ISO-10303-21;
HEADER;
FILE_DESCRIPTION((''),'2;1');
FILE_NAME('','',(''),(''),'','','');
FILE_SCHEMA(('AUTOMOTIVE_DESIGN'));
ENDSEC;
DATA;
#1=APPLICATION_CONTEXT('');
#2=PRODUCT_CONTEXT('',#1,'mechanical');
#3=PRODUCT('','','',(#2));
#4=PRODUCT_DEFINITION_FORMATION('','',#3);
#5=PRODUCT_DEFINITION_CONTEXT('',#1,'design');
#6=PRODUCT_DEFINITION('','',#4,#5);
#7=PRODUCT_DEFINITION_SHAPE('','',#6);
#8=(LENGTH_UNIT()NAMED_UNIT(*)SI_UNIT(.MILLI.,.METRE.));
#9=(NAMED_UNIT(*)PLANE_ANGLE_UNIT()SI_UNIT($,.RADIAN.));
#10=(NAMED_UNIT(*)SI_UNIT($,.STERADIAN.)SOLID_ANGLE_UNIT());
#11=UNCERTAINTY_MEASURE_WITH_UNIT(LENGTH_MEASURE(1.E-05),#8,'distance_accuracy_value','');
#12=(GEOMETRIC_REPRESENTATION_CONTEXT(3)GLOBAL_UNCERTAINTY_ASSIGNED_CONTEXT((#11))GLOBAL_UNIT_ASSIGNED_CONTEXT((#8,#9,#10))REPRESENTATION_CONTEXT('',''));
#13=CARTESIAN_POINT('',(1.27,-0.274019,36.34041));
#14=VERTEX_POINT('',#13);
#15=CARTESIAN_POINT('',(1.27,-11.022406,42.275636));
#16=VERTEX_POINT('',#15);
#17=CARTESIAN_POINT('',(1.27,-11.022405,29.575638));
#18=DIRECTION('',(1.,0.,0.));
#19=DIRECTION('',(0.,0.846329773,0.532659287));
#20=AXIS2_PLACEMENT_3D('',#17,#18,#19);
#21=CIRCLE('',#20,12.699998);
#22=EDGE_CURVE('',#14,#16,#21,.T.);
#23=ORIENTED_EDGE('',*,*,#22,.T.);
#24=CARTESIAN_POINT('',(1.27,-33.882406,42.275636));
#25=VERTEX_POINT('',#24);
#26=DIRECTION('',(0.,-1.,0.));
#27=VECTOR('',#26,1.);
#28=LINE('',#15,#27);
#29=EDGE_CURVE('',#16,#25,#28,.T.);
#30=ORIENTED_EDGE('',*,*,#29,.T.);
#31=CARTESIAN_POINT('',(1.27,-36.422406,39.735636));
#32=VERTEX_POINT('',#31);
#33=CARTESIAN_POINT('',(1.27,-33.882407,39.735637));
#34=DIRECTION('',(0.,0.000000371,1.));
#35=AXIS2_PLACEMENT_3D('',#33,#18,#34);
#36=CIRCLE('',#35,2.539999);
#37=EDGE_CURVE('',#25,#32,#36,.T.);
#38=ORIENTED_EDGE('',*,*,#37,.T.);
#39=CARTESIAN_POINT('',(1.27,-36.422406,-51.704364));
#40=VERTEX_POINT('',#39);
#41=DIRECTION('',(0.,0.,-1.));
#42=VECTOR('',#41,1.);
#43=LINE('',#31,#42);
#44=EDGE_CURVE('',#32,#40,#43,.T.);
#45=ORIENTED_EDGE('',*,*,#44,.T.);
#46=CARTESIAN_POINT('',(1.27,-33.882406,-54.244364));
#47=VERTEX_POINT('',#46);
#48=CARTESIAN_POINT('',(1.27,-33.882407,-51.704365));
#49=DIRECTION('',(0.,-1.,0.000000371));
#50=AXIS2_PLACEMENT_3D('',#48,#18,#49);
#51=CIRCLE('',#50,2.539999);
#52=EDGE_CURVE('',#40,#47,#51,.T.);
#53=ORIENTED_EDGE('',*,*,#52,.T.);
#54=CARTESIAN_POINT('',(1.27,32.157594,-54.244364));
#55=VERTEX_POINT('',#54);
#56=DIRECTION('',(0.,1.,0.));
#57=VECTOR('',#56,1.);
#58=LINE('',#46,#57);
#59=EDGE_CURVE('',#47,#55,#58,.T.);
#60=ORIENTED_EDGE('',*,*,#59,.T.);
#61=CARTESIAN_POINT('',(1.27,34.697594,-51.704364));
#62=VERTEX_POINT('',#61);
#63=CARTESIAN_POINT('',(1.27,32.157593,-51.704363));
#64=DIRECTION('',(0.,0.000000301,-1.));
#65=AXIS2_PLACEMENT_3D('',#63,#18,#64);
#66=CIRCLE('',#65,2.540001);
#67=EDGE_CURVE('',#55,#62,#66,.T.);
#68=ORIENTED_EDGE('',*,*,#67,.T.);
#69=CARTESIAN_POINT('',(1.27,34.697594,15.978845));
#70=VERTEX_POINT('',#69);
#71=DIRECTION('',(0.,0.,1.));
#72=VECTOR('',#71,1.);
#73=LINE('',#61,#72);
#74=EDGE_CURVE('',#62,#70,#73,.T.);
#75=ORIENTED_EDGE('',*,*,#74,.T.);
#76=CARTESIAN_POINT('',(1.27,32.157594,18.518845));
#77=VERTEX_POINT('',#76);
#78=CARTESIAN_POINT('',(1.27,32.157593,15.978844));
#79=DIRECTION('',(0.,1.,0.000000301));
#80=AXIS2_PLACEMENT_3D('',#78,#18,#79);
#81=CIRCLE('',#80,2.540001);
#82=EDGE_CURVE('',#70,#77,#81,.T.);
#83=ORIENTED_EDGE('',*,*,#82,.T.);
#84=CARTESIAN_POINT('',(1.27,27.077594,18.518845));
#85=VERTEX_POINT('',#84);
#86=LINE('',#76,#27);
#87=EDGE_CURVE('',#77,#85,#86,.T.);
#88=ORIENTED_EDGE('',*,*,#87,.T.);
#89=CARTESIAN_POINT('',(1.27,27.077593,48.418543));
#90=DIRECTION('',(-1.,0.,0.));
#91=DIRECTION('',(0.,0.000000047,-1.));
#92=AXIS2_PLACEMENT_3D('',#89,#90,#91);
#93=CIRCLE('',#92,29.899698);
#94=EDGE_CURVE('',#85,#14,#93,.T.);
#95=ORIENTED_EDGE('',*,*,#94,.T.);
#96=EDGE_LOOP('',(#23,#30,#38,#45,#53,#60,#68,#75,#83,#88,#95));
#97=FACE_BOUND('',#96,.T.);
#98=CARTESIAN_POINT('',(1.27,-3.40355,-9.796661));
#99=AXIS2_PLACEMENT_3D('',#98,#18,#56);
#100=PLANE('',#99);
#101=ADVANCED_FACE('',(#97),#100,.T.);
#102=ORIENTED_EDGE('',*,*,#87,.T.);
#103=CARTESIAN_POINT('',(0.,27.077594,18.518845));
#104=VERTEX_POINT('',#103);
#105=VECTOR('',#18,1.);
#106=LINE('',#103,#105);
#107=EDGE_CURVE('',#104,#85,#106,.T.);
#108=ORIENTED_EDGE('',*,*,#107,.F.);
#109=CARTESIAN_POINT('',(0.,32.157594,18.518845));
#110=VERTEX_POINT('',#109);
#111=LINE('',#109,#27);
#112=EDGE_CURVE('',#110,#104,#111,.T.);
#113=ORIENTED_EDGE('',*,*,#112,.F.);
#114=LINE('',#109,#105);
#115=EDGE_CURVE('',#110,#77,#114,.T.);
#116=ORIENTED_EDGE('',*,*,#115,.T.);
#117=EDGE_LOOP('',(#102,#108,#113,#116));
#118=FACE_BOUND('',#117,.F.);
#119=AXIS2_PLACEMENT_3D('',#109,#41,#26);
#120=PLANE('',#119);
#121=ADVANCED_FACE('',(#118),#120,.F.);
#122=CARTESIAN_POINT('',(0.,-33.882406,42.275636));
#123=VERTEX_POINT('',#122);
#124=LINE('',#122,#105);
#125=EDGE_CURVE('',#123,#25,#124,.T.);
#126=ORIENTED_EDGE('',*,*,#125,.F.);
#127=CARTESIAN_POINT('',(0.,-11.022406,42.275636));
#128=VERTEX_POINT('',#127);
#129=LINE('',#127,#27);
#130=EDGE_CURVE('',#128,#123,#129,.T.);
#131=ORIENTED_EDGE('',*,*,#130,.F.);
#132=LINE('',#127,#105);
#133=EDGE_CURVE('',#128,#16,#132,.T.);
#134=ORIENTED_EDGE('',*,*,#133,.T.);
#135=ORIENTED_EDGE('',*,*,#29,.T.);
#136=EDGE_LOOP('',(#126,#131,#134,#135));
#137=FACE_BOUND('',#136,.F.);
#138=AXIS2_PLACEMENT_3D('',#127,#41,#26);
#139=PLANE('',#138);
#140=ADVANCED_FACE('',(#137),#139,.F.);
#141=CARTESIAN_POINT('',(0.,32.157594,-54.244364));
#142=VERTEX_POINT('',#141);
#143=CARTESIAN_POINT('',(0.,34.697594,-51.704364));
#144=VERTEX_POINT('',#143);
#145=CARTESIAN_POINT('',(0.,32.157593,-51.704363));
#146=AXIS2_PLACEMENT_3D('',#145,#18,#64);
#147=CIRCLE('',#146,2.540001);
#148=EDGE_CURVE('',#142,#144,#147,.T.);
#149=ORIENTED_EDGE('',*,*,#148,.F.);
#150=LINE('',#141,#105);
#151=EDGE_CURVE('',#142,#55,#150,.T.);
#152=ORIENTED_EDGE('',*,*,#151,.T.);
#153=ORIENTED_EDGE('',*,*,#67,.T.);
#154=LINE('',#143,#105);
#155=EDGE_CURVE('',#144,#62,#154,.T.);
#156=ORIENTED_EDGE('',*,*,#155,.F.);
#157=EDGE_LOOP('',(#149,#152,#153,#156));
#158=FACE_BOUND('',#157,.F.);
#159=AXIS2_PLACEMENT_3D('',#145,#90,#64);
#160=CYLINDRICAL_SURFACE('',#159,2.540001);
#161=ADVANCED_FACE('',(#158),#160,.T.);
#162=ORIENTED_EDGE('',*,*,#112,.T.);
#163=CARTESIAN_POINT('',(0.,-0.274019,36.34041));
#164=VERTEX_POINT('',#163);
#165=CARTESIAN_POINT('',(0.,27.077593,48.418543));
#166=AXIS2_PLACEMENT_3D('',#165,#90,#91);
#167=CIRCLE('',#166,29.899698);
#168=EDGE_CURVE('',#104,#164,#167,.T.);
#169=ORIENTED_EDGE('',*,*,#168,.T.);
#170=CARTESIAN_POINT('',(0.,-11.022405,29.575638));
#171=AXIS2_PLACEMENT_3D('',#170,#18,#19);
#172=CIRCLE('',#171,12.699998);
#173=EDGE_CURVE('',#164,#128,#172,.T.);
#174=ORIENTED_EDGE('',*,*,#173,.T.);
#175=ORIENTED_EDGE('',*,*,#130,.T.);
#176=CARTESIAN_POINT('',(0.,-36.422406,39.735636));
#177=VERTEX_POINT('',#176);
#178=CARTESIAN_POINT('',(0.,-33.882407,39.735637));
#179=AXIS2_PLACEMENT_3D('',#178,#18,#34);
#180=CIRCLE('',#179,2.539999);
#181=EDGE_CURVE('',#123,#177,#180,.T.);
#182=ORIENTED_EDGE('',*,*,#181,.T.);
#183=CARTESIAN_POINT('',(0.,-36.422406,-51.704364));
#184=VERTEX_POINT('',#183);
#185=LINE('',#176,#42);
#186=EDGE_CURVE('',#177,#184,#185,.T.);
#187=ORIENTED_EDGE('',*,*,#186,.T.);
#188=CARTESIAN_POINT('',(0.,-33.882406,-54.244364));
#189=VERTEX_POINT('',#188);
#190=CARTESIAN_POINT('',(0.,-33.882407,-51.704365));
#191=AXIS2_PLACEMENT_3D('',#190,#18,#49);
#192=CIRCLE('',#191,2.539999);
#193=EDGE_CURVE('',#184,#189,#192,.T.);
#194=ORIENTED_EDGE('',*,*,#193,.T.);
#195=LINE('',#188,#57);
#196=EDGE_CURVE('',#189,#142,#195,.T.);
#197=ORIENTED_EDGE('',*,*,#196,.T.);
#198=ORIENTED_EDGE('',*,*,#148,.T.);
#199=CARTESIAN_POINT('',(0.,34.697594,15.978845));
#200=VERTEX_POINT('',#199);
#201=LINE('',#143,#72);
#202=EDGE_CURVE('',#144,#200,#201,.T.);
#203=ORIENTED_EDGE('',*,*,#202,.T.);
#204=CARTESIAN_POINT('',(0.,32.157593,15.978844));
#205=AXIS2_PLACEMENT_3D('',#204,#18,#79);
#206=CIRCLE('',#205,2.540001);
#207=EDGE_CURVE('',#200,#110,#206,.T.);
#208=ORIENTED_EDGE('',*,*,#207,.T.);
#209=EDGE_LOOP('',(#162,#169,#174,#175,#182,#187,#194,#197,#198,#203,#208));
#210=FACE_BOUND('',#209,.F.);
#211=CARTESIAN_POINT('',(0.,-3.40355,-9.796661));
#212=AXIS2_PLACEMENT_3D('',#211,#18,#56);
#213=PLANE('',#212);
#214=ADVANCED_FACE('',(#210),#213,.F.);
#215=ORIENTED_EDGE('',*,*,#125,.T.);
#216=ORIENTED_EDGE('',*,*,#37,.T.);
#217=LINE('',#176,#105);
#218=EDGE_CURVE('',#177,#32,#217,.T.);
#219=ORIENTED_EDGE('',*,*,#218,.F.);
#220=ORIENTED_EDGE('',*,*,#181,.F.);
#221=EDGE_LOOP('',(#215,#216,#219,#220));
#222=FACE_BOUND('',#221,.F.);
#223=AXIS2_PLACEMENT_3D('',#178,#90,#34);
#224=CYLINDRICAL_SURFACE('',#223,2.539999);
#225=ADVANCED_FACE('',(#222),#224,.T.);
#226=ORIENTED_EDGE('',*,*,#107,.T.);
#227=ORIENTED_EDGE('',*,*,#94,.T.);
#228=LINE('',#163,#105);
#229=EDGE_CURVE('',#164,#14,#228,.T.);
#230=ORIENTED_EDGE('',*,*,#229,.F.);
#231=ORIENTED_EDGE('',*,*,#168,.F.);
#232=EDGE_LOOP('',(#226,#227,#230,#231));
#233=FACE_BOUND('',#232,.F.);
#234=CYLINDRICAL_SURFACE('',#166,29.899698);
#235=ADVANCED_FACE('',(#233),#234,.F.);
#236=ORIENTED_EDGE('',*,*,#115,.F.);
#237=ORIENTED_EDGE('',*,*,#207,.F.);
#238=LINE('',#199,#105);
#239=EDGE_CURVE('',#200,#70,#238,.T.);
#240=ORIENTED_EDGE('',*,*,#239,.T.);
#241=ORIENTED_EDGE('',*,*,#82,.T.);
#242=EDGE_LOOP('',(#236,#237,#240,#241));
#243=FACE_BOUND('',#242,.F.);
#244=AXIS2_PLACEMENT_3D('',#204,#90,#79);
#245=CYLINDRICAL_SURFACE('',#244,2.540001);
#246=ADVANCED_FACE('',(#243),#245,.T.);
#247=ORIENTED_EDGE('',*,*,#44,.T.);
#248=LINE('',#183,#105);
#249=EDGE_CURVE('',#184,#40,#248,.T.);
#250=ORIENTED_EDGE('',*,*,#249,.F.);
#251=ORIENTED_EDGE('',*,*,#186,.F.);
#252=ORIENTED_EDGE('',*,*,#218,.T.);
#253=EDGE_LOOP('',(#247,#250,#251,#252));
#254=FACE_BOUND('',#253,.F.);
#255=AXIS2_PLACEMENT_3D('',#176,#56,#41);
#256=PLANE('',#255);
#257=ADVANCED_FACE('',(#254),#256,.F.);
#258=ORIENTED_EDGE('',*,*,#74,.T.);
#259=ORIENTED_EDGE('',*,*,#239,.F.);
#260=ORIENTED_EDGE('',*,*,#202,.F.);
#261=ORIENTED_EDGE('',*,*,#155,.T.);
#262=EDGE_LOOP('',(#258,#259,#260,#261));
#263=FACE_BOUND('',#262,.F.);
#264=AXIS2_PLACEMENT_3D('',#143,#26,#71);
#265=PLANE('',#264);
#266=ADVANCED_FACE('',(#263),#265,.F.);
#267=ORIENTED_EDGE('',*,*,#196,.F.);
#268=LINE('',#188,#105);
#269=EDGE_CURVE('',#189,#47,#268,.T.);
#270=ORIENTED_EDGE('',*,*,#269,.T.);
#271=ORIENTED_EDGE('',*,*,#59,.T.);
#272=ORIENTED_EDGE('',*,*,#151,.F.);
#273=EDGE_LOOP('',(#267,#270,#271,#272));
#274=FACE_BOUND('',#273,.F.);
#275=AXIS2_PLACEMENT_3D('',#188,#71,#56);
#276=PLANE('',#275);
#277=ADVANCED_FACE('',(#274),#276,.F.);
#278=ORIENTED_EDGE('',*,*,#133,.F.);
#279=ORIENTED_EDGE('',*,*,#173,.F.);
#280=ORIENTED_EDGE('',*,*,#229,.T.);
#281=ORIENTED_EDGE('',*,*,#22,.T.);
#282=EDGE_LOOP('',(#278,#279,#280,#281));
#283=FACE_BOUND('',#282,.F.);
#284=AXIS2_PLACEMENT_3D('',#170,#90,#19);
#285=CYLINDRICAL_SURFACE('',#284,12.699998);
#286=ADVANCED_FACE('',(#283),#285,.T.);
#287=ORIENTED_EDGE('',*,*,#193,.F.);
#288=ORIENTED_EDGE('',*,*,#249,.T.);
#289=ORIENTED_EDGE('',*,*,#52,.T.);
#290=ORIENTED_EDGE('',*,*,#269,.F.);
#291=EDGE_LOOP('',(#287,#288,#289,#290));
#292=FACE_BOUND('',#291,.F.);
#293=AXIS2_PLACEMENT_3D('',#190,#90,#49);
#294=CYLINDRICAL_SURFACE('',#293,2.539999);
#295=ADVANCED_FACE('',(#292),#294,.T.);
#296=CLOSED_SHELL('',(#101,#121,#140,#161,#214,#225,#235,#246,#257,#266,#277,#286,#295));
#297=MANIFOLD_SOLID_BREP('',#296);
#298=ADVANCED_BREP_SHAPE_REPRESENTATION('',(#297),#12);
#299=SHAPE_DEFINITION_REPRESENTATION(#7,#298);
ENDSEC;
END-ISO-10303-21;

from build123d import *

# Parameters (mm, degrees)
F1_DEPTH = 1.27


with BuildPart() as f1:
    # F0 (on Right) → F1 (new body)
    with BuildSketch(Plane.YZ):
        with BuildLine():
            Line((-11.022406, 42.275636), (-33.882406, 42.275636))
            ThreePointArc((-33.882406, 42.275636), (-35.678458, 41.531687), (-36.422406, 39.735636))
            Line((-36.422406, 39.735636), (-36.422406, -51.704364))
            ThreePointArc((-36.422406, -51.704364), (-35.678458, -53.500415), (-33.882406, -54.244364))
            Line((-33.882406, -54.244364), (32.157594, -54.244364))
            ThreePointArc((32.157594, -54.244364), (33.953645, -53.500415), (34.697594, -51.704364))
            Line((34.697594, -51.704364), (34.697594, 15.978845))
            ThreePointArc((34.697594, 15.978845), (33.953645, 17.774896), (32.157594, 18.518845))
            Line((32.157594, 18.518845), (27.077594, 18.518845))
            ThreePointArc((27.077594, 18.518845), (10.754919, 23.36735), (-0.274019, 36.34041))
            ThreePointArc((-0.274019, 36.34041), (-4.883295, 40.693249), (-11.022406, 42.275636))
        make_face()
    extrude(amount=F1_DEPTH)


solid = f1.part
